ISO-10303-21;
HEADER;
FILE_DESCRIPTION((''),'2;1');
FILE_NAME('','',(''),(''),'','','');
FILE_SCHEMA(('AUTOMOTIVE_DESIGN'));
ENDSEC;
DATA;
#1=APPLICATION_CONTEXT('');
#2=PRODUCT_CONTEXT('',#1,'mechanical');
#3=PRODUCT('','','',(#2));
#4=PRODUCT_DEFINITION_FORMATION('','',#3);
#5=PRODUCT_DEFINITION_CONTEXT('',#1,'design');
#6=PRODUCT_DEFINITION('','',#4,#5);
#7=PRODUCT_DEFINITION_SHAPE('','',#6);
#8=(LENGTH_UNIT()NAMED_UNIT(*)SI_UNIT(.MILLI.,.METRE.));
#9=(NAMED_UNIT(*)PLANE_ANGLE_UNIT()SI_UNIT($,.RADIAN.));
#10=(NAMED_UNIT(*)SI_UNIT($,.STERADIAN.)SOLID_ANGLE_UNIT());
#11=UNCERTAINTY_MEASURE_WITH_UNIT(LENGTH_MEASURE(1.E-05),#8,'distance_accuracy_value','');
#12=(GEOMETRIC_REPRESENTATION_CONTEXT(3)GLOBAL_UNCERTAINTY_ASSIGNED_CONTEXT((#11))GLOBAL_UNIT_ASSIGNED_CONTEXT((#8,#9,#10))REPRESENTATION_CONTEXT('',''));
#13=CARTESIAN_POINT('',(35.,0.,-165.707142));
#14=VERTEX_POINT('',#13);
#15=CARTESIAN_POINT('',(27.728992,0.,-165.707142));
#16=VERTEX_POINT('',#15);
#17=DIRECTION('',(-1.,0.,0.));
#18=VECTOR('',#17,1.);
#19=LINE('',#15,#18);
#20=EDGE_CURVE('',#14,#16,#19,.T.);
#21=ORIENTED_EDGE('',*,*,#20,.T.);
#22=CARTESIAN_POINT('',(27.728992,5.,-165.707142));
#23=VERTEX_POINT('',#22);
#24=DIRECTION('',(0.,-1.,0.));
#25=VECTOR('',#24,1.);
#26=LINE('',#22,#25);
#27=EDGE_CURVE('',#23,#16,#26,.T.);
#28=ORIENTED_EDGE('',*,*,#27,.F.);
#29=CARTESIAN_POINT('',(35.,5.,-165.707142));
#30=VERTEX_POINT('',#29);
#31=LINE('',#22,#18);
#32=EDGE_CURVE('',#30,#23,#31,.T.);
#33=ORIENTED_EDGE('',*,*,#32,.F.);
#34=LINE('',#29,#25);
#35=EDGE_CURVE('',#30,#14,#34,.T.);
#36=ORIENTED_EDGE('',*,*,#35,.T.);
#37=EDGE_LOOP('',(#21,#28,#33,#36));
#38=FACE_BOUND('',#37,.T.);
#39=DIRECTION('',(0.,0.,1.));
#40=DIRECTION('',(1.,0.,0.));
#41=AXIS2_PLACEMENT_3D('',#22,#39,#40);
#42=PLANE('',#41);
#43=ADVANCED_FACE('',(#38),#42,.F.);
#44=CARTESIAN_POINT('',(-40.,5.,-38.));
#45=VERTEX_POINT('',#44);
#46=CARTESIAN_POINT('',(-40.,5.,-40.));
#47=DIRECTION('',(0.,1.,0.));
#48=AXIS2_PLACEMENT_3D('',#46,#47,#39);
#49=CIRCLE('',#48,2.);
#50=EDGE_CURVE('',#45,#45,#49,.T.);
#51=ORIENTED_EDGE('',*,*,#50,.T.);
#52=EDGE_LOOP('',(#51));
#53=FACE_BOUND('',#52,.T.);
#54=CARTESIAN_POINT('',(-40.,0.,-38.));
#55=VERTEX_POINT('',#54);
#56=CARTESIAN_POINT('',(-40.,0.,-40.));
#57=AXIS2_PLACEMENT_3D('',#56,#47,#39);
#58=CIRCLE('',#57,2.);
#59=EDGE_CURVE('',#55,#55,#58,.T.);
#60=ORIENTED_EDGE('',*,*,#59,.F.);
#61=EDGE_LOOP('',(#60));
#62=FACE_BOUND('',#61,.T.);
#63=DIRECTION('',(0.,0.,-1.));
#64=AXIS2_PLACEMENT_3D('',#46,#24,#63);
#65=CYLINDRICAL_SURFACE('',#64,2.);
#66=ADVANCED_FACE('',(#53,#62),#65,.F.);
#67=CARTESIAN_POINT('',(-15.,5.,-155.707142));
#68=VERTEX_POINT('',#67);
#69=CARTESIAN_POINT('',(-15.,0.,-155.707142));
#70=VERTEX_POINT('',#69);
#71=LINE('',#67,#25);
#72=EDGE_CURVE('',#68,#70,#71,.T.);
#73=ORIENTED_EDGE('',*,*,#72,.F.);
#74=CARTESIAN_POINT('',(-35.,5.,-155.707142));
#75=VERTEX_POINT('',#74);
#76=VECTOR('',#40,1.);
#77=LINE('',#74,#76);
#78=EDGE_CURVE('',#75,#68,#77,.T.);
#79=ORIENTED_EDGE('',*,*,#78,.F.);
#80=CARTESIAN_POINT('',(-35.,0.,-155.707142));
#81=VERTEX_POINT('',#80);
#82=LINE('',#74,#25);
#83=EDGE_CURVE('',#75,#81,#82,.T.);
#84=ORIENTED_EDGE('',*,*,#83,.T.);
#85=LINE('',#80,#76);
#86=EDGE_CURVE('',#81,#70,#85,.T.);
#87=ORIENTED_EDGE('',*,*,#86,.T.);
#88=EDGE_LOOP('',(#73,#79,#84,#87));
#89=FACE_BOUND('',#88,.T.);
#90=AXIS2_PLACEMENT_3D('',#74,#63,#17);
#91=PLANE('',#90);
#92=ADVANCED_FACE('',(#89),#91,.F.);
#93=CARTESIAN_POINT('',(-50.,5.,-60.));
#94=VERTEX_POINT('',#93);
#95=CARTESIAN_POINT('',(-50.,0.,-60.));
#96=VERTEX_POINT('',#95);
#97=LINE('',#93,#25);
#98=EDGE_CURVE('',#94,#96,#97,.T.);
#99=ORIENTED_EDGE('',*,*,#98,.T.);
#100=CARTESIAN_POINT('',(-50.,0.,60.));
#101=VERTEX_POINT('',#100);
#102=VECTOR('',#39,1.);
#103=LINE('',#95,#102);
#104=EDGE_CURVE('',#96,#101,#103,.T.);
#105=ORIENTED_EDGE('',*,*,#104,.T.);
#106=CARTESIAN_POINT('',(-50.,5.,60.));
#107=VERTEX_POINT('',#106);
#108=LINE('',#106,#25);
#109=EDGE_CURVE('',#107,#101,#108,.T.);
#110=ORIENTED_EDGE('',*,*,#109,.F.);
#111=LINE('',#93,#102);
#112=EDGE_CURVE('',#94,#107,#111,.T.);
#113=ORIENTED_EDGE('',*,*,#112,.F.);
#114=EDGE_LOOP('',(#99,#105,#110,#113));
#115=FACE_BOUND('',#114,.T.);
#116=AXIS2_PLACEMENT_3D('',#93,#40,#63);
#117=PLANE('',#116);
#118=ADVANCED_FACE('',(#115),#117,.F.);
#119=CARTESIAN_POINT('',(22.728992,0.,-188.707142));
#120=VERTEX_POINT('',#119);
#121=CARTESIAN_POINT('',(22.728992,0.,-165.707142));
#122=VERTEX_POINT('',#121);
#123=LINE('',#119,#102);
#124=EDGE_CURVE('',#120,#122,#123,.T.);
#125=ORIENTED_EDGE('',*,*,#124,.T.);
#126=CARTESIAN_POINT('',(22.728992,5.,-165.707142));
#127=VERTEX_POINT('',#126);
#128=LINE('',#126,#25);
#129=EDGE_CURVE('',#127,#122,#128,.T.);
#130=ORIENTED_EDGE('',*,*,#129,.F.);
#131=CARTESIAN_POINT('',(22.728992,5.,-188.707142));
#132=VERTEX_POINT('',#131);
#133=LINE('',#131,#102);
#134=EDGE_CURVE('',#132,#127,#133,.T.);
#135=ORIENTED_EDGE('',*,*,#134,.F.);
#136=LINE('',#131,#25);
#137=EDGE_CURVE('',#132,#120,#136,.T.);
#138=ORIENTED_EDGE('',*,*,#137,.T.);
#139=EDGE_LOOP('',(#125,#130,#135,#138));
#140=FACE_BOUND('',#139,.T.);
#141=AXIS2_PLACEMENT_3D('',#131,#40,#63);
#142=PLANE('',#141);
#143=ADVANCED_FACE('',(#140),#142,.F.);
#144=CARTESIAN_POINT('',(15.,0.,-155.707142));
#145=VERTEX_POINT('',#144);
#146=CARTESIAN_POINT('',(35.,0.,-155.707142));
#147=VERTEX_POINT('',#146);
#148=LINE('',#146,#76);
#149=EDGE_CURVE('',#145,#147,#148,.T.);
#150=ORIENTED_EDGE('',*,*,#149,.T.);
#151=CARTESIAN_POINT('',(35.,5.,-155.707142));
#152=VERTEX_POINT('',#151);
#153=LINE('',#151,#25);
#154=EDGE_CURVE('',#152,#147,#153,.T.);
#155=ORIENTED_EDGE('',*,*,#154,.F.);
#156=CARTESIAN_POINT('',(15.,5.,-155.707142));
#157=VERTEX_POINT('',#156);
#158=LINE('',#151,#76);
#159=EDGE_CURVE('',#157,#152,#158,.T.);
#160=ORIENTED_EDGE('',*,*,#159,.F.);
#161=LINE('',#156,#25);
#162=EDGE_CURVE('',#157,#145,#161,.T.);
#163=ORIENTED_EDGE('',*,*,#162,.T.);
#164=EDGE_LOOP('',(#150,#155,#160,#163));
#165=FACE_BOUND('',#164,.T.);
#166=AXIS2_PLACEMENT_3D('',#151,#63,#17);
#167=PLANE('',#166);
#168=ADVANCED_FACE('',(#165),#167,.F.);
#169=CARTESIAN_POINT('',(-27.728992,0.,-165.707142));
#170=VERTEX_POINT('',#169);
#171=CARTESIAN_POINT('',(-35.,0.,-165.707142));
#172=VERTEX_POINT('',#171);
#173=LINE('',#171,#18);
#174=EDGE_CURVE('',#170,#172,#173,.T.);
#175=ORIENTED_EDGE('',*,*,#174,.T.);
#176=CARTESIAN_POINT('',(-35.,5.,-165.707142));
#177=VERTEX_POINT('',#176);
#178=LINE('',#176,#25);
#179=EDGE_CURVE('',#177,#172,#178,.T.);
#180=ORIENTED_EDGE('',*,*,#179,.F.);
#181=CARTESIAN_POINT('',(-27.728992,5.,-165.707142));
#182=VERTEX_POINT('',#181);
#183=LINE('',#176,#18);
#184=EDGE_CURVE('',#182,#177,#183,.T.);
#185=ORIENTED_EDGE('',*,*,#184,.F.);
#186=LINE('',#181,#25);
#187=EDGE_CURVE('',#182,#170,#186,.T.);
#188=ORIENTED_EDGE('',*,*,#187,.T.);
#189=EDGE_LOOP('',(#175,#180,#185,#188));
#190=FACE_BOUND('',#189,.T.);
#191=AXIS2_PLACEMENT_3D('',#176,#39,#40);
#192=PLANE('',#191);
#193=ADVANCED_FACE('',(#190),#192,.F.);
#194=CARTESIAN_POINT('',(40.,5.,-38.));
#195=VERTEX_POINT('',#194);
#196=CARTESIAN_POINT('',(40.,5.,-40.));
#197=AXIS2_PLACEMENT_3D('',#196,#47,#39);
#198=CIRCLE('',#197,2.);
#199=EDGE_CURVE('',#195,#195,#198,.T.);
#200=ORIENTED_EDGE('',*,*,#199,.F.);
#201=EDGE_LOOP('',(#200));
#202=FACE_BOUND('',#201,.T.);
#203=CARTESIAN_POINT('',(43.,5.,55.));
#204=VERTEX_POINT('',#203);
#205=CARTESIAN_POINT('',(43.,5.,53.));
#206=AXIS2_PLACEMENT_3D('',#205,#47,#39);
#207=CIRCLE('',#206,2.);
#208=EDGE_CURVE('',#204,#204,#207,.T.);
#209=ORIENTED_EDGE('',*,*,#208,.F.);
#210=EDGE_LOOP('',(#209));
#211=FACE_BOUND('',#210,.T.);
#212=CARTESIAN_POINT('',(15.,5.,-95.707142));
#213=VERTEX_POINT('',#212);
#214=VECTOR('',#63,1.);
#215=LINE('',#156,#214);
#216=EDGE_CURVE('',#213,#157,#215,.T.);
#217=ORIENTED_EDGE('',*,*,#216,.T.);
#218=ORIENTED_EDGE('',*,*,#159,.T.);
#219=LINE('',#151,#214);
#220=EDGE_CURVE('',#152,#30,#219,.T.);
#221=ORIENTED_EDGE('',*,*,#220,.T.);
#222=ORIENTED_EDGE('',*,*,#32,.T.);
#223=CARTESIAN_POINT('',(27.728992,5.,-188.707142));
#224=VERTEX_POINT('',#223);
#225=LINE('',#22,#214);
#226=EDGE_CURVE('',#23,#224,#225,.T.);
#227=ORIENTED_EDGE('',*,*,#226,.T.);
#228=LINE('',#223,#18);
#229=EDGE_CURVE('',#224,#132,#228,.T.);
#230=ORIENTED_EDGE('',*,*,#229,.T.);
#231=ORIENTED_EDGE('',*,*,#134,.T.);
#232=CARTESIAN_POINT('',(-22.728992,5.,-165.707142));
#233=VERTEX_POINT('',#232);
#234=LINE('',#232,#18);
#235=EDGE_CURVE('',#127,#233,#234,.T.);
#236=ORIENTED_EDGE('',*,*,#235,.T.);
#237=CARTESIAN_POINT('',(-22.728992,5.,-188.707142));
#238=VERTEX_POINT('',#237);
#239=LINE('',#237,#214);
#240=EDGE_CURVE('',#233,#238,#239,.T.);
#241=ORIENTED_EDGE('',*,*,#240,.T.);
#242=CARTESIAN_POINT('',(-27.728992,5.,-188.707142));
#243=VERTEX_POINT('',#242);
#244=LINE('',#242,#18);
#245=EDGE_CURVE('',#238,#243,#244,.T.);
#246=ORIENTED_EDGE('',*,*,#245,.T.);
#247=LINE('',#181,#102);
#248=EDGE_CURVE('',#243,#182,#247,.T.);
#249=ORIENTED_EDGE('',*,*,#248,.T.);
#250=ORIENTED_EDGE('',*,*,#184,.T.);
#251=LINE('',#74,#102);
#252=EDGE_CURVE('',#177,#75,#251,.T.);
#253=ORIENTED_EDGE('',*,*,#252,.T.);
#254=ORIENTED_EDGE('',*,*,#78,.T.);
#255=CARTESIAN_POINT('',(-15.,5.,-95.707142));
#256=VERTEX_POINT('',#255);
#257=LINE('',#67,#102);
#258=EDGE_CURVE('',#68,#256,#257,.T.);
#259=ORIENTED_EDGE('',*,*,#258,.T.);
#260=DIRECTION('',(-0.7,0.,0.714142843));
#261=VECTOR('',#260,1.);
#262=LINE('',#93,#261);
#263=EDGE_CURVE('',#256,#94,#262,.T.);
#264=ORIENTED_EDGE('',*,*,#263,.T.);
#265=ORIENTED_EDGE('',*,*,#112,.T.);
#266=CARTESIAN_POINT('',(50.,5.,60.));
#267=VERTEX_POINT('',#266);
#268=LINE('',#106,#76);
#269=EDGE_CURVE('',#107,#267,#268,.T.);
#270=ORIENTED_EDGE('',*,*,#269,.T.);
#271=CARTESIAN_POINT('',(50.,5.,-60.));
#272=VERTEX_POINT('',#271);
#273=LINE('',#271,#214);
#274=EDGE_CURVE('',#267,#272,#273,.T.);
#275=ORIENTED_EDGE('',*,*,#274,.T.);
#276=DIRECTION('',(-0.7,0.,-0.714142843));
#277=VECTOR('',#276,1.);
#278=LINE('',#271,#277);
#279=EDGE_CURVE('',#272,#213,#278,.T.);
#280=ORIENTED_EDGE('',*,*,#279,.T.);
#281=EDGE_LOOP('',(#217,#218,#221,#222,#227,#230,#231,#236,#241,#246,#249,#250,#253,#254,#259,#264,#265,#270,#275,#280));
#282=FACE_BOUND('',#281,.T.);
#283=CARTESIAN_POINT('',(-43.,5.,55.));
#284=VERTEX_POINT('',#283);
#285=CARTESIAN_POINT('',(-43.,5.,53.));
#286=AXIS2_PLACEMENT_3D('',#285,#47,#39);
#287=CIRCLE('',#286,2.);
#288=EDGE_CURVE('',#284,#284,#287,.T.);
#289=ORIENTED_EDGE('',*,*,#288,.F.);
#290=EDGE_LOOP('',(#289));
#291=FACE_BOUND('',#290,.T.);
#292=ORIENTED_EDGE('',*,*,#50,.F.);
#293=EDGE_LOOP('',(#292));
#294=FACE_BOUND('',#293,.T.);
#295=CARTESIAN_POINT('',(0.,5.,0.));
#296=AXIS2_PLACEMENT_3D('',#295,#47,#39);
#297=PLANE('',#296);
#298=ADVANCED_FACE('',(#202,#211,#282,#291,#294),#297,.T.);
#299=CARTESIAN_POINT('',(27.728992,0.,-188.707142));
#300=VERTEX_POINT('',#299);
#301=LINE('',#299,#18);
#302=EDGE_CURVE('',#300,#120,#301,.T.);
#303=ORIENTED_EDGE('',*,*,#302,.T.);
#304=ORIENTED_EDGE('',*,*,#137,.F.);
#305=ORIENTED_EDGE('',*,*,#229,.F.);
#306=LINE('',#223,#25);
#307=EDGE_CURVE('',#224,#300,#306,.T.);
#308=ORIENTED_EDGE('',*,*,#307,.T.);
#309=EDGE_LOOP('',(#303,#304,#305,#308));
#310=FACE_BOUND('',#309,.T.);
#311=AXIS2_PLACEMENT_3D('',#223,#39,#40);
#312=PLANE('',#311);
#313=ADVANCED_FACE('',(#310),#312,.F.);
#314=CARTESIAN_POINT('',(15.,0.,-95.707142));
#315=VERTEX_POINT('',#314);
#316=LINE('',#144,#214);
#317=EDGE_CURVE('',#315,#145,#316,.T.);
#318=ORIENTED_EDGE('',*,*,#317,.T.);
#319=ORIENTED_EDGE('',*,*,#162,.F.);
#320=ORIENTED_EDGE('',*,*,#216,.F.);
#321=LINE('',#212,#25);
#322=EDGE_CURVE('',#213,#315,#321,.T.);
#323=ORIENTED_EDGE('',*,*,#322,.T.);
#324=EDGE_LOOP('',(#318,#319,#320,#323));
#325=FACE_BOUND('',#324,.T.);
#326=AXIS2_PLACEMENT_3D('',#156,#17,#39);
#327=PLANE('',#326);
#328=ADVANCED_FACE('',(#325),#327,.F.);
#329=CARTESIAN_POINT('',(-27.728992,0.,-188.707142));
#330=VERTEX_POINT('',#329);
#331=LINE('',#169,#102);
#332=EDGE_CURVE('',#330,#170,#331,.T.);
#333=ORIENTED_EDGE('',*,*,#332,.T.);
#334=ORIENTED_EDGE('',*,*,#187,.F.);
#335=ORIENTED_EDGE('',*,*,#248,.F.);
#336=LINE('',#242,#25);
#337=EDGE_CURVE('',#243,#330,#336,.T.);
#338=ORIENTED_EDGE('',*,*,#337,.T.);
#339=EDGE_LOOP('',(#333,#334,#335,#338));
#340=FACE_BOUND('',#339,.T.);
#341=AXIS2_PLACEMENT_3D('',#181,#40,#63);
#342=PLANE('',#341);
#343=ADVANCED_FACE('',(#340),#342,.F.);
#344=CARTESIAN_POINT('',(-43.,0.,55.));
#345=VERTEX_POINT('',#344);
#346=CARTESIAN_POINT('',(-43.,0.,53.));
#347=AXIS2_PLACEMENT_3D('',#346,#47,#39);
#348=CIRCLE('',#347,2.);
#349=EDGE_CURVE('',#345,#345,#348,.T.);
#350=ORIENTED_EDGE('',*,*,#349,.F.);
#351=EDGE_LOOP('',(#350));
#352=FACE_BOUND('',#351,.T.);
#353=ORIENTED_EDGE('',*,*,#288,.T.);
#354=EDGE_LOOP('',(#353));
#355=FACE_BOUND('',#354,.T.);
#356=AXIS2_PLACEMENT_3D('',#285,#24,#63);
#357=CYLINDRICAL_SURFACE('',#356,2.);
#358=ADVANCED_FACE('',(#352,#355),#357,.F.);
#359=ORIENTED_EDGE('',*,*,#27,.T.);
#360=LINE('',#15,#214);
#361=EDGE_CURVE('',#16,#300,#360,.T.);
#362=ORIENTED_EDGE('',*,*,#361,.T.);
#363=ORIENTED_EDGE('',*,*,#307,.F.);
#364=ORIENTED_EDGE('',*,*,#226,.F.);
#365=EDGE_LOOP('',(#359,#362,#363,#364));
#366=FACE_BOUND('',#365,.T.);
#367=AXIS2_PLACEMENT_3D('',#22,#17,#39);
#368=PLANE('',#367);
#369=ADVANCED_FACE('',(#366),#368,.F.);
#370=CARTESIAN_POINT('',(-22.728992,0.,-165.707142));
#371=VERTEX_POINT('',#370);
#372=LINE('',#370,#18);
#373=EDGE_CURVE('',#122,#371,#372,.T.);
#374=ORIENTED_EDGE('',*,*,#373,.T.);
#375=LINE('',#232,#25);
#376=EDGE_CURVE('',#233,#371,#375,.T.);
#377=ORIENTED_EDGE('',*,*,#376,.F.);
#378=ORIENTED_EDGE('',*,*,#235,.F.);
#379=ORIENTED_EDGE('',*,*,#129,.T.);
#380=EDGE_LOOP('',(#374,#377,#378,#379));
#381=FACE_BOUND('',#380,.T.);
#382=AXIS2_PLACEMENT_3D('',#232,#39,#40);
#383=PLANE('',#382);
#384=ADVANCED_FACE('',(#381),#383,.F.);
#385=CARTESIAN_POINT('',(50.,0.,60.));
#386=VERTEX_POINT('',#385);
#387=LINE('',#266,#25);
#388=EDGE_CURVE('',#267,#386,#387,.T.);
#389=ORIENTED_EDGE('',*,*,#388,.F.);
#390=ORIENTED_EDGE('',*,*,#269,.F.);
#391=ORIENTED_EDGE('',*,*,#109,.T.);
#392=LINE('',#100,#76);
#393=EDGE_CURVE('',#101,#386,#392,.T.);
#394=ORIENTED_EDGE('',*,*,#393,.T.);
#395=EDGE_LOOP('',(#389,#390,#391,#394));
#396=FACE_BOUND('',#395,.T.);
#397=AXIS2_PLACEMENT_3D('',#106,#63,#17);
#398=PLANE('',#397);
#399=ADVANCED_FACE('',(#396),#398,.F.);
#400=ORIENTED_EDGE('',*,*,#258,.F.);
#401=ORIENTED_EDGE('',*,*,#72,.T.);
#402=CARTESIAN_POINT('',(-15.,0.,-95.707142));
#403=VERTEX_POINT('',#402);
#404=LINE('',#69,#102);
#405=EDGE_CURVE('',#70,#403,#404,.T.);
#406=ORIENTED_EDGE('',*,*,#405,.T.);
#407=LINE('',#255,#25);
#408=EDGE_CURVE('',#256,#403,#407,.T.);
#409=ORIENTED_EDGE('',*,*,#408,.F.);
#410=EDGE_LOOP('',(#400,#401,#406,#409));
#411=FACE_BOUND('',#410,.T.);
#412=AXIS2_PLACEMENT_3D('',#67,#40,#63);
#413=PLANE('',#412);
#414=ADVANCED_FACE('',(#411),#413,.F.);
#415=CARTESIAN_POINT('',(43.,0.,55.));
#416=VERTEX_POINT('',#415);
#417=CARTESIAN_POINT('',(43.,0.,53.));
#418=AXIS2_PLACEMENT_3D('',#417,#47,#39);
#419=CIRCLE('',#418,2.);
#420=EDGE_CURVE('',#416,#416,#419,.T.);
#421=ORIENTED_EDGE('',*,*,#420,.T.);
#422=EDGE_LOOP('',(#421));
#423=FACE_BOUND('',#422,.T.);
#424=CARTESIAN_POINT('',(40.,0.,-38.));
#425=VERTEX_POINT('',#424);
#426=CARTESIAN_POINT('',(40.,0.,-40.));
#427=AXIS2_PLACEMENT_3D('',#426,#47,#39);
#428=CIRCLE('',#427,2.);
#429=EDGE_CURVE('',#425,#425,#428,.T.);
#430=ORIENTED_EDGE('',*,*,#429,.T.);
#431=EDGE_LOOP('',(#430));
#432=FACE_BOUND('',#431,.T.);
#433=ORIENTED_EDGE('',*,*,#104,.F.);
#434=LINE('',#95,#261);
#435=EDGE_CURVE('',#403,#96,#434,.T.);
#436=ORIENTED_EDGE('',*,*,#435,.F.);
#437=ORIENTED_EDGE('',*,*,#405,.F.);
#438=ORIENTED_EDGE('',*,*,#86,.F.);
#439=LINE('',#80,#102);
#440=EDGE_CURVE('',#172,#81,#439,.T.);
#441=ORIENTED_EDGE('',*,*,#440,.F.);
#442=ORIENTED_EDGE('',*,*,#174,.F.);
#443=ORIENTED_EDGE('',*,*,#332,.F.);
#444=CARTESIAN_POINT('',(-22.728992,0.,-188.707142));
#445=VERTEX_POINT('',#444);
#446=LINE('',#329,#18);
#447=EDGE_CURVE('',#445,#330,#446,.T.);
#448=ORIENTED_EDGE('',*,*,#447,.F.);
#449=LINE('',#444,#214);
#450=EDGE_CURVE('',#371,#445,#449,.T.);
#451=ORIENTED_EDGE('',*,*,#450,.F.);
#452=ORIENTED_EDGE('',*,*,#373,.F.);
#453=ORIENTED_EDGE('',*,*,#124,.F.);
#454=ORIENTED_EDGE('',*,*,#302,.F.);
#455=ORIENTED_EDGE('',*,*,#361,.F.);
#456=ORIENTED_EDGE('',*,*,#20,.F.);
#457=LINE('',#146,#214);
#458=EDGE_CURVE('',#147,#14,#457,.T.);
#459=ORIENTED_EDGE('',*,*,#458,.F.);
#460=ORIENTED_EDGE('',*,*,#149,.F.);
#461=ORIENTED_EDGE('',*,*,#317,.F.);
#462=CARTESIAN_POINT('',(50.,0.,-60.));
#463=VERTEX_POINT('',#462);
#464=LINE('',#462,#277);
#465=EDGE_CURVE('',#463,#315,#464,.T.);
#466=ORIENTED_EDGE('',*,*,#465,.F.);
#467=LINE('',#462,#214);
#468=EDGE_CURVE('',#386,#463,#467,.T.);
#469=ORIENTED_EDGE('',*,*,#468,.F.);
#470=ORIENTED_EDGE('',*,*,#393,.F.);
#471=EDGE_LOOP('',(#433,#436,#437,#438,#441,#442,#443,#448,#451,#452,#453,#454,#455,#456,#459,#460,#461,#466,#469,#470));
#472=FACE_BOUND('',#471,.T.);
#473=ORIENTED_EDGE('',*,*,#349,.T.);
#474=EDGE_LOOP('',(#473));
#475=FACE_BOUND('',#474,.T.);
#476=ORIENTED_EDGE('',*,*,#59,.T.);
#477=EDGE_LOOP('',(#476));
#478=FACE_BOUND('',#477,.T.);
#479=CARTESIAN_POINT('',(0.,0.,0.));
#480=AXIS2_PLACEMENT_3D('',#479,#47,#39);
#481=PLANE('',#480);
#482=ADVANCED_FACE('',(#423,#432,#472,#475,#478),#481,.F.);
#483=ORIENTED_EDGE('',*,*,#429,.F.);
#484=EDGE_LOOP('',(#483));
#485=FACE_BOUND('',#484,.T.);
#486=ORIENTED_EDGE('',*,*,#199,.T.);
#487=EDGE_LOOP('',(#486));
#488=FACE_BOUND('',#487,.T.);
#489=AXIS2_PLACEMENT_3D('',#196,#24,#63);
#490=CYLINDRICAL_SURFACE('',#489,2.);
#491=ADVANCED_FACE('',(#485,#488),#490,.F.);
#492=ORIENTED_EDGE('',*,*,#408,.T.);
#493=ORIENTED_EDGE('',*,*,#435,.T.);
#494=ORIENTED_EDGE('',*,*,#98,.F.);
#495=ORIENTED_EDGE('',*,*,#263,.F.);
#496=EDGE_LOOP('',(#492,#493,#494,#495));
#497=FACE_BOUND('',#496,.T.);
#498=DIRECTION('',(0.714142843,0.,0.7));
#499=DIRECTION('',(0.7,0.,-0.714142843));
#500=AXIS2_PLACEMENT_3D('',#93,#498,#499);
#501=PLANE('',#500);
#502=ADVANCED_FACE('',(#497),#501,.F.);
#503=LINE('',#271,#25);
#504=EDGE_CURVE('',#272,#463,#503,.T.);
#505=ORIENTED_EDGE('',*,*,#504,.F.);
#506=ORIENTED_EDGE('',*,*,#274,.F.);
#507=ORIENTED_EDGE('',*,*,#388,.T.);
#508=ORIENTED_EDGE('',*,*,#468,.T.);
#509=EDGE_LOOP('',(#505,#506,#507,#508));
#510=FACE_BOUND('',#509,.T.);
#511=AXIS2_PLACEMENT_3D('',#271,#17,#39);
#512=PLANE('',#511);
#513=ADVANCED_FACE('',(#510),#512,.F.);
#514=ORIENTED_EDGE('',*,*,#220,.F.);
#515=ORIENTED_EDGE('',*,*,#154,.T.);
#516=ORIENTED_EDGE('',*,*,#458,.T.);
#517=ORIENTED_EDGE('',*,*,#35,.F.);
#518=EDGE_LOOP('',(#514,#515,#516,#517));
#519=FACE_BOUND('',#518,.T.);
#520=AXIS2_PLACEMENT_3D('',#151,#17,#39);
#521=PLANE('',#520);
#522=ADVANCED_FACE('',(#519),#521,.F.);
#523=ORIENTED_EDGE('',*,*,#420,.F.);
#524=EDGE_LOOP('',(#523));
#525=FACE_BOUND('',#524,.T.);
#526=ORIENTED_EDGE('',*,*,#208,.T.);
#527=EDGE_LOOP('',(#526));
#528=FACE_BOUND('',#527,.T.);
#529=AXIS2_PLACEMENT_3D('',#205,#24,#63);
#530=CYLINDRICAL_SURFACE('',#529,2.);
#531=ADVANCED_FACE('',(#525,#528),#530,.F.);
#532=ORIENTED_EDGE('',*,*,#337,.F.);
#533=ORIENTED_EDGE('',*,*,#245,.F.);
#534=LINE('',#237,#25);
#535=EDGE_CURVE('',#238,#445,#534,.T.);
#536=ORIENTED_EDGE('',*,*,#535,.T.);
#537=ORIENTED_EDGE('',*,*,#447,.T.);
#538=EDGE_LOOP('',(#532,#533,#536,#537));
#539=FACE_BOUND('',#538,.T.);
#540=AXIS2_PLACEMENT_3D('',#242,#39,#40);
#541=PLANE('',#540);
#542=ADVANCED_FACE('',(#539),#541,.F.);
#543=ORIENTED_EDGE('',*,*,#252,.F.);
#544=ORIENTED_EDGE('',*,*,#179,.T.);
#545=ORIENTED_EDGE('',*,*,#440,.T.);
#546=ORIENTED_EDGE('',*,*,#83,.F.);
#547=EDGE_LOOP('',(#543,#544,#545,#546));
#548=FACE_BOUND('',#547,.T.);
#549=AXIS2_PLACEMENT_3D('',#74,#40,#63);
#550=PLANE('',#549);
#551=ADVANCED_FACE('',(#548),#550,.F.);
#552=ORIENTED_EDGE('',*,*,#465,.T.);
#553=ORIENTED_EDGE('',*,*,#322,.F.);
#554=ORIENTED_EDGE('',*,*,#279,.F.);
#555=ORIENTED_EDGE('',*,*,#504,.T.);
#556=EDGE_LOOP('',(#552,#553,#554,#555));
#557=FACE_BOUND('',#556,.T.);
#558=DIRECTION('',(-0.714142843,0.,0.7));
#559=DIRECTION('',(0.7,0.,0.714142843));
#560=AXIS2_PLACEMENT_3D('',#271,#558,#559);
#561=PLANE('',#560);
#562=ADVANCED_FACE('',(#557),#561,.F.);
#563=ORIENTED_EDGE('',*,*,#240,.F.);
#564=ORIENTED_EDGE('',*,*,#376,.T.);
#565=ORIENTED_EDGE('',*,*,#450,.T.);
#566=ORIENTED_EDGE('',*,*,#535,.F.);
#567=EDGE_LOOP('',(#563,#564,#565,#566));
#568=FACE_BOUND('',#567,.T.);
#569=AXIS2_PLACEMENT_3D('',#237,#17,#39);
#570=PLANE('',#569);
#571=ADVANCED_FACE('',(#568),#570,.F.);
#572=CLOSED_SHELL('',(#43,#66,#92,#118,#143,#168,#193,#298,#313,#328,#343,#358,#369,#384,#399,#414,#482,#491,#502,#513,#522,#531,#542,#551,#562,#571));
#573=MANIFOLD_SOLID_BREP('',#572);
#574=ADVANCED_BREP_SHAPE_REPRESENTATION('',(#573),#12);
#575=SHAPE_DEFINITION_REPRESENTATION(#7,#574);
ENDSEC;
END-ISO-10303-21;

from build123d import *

# Parameters (mm, degrees)
SKETCH1_R           = 2
BOSS_EXTRUDE1_DEPTH = 5


with BuildPart() as part:
    # Sketch1 → Boss-Extrude1 (new body)
    with BuildSketch(Plane(origin=(0, 0, 0), x_dir=(1, 0, 0), z_dir=(0, 1, 0))):
        Polygon((-50, 60), (-50, -60), (50, -60), (50, 60), (15, 95.707142143), (15, 155.707142143), (35, 155.707142143), (35, 165.707142143), (27.728991778, 165.707142143), (27.728991778, 188.707142143), (22.728991778, 188.707142143), (22.728991778, 165.707142143), (-22.728991778, 165.707142143), (-22.728991778, 188.707142143), (-27.728991778, 188.707142143), (-27.728991778, 165.707142143), (-35, 165.707142143), (-35, 155.707142143), (-15, 155.707142143), (-15, 95.707142143), align=None)
        with Locations(Location((40, 40, 0), (0, 0, 270))):
            Circle(SKETCH1_R, mode=Mode.SUBTRACT)
        with Locations(Location((-40, 40, 0), (0, 0, 270))):
            Circle(SKETCH1_R, mode=Mode.SUBTRACT)
        with Locations(Location((-43, -53, 0), (0, 0, 270))):
            Circle(SKETCH1_R, mode=Mode.SUBTRACT)
        with Locations(Location((43, -53, 0), (0, 0, 270))):
            Circle(SKETCH1_R, mode=Mode.SUBTRACT)
    extrude(amount=BOSS_EXTRUDE1_DEPTH)


solid = part.part
